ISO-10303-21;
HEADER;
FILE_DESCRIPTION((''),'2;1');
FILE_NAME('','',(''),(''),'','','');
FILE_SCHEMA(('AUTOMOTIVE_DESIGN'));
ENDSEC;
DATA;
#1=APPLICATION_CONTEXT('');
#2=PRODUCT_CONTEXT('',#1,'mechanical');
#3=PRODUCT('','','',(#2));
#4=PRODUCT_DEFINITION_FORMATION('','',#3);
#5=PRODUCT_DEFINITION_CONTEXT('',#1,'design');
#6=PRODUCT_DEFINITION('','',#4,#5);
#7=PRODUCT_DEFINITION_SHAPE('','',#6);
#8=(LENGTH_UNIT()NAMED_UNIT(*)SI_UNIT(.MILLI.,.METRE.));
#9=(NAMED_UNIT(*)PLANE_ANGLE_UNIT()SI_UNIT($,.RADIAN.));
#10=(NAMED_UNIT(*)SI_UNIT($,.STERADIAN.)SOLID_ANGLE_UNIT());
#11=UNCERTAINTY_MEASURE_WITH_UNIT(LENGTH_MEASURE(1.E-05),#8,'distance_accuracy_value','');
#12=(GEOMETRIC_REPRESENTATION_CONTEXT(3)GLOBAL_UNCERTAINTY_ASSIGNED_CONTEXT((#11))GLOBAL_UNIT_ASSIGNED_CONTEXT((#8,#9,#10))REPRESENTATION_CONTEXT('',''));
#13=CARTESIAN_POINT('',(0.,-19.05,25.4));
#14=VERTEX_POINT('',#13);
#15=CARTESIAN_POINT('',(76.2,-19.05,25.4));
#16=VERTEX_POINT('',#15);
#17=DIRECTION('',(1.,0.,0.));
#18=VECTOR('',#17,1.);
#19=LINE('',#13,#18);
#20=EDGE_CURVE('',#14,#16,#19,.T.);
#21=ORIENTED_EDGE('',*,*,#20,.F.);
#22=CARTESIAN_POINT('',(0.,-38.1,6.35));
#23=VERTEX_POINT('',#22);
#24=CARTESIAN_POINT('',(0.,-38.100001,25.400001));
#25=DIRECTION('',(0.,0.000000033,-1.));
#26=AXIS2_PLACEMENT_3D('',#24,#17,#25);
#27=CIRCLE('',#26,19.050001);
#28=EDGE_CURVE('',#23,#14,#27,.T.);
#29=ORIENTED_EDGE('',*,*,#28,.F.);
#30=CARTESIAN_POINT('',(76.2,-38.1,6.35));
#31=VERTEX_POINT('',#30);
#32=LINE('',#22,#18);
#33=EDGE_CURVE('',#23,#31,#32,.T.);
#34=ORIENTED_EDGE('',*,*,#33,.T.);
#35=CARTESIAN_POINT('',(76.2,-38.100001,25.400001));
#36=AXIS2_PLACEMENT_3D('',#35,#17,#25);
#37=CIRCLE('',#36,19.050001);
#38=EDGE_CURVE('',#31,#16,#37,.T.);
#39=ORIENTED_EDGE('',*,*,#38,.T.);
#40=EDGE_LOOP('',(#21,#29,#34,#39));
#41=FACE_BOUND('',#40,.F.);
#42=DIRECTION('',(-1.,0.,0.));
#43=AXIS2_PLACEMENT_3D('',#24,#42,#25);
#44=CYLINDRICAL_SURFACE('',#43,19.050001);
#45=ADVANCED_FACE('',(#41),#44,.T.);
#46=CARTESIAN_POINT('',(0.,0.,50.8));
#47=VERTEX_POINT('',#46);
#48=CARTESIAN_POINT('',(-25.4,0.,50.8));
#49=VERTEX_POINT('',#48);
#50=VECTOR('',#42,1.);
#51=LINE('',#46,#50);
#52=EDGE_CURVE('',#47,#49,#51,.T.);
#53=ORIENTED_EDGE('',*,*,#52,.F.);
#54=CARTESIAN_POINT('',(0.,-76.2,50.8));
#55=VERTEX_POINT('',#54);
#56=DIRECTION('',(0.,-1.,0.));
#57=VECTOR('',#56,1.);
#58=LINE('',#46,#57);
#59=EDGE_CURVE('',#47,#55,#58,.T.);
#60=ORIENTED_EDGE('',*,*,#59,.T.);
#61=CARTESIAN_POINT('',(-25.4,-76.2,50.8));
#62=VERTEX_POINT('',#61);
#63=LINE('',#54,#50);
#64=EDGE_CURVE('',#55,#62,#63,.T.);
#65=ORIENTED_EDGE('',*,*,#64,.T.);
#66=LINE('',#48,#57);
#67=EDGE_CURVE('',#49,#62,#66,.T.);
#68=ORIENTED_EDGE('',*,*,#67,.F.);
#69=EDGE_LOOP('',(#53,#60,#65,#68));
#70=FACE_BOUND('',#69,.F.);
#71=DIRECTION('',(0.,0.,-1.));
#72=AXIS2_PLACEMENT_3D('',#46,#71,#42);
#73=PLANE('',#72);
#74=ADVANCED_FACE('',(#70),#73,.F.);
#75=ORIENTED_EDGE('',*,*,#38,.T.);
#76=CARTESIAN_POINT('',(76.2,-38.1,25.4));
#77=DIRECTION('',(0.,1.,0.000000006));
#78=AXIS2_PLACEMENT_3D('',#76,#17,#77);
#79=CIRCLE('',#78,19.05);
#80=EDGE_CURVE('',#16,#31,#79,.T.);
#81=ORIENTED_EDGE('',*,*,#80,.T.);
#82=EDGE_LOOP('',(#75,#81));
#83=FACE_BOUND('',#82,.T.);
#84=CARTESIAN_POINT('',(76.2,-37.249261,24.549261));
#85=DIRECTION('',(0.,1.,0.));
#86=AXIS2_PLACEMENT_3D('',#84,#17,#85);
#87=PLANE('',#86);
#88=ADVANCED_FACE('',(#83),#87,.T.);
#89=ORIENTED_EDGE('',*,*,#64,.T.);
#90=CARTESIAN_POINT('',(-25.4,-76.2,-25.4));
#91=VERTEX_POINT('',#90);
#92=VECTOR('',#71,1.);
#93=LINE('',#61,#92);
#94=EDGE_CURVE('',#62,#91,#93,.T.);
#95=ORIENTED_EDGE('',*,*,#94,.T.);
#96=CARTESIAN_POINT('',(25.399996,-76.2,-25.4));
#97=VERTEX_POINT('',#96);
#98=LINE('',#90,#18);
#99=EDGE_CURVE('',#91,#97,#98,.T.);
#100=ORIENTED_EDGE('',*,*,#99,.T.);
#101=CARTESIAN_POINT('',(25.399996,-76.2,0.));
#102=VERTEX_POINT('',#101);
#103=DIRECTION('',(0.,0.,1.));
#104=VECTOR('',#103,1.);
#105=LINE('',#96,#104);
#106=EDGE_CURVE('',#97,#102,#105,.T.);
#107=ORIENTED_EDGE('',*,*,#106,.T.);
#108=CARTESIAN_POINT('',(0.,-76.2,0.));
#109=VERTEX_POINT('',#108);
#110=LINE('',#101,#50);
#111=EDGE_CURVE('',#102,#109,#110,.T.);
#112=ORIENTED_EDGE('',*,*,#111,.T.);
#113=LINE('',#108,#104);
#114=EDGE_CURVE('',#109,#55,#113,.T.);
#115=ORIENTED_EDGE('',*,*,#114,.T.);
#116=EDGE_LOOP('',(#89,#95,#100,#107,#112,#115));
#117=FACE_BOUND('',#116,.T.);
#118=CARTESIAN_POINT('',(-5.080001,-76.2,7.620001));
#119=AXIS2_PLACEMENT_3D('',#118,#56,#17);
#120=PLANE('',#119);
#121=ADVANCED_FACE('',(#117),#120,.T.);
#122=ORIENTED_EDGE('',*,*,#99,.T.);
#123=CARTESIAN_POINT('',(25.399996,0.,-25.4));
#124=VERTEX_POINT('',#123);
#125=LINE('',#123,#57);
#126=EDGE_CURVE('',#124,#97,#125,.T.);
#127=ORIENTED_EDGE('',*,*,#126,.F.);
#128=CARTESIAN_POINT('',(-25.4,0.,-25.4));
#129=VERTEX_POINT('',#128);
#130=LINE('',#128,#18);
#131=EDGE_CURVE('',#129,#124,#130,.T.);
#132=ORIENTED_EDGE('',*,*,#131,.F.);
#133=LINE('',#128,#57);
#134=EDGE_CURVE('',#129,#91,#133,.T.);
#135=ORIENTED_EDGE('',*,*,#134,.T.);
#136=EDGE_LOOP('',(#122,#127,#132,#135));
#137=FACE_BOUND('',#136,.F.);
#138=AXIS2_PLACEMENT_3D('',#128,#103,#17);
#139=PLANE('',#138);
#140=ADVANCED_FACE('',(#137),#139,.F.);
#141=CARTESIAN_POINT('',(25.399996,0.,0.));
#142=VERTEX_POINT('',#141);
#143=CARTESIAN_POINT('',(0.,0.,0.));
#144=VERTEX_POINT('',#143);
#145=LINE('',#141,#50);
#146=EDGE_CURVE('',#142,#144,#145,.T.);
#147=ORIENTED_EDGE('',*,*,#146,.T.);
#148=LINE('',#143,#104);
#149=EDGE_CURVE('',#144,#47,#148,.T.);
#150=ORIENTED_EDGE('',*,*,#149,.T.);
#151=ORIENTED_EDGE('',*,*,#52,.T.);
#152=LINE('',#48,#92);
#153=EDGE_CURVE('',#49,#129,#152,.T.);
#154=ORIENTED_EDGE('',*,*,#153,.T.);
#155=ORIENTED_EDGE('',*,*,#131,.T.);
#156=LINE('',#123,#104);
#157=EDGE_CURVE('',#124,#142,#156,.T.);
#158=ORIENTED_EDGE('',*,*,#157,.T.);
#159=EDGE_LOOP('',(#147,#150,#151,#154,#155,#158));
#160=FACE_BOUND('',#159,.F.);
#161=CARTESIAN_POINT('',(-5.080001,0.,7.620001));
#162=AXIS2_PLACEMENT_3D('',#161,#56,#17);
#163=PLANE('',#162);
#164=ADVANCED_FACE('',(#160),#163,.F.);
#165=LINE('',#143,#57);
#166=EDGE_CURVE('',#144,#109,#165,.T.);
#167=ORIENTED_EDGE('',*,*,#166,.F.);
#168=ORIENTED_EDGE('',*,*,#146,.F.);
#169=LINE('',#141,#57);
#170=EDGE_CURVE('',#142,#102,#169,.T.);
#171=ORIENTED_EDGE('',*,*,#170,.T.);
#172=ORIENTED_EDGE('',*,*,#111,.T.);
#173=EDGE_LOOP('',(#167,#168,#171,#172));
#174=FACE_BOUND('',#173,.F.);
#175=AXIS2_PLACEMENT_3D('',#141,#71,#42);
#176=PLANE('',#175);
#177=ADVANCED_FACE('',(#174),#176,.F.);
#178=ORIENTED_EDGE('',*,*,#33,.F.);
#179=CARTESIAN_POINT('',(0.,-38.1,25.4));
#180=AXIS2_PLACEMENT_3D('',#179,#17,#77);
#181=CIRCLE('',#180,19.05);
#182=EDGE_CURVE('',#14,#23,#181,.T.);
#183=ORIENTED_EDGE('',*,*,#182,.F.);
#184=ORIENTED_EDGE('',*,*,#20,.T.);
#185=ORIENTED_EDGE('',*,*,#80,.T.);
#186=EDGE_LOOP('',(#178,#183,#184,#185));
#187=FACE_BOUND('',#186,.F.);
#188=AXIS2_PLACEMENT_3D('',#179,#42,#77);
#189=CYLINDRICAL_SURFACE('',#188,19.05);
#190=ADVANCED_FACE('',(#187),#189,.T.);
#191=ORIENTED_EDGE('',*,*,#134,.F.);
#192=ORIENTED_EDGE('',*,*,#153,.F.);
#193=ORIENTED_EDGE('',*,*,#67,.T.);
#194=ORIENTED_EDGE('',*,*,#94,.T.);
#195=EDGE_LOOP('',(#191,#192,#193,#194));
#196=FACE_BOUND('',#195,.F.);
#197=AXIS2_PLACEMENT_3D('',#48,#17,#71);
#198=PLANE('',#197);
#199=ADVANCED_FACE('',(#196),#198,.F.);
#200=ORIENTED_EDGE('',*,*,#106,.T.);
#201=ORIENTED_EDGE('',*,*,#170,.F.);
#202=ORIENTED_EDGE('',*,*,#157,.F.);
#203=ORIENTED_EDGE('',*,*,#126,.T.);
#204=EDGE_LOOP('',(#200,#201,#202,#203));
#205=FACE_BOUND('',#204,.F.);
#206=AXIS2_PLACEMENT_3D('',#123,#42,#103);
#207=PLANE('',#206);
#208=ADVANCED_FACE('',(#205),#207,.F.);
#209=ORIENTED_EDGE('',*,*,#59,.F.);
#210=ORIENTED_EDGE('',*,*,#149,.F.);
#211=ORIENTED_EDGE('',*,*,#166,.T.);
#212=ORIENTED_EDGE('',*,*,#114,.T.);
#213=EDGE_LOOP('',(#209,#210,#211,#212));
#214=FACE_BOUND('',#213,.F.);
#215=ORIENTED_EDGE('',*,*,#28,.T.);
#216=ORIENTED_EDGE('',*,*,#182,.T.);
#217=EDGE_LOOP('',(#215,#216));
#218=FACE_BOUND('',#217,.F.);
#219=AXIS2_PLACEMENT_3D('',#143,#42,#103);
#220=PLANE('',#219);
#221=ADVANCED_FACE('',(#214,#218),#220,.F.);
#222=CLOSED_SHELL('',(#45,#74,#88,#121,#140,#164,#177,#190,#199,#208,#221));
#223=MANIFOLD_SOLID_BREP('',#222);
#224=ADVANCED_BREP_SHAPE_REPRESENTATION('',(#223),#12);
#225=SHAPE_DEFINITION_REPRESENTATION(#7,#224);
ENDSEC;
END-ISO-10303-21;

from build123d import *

# Parameters (mm, degrees)
F1_DEPTH = 76.2
F3_DEPTH = 76.2


with BuildPart() as f1:
    # F0 (on Front) → F1 (new body)
    with BuildSketch(Plane.XZ):
        Polygon((25.399996, 0), (0, 0), (0, 50.8), (-25.4, 50.8), (-25.4, -25.4), (25.399996, -25.4), align=None)
    extrude(amount=F1_DEPTH)

    # F2 (on face) → F3 (join)
    with BuildSketch(Plane.YZ):
        with BuildLine():
            ThreePointArc((-38.1, 6.35), (-24.629616, 11.929616), (-19.05, 25.4))
            ThreePointArc((-19.05, 25.4), (-51.570384, 38.870384), (-38.1, 6.35))
        make_face()
    extrude(amount=F3_DEPTH)


solid = f1.part
